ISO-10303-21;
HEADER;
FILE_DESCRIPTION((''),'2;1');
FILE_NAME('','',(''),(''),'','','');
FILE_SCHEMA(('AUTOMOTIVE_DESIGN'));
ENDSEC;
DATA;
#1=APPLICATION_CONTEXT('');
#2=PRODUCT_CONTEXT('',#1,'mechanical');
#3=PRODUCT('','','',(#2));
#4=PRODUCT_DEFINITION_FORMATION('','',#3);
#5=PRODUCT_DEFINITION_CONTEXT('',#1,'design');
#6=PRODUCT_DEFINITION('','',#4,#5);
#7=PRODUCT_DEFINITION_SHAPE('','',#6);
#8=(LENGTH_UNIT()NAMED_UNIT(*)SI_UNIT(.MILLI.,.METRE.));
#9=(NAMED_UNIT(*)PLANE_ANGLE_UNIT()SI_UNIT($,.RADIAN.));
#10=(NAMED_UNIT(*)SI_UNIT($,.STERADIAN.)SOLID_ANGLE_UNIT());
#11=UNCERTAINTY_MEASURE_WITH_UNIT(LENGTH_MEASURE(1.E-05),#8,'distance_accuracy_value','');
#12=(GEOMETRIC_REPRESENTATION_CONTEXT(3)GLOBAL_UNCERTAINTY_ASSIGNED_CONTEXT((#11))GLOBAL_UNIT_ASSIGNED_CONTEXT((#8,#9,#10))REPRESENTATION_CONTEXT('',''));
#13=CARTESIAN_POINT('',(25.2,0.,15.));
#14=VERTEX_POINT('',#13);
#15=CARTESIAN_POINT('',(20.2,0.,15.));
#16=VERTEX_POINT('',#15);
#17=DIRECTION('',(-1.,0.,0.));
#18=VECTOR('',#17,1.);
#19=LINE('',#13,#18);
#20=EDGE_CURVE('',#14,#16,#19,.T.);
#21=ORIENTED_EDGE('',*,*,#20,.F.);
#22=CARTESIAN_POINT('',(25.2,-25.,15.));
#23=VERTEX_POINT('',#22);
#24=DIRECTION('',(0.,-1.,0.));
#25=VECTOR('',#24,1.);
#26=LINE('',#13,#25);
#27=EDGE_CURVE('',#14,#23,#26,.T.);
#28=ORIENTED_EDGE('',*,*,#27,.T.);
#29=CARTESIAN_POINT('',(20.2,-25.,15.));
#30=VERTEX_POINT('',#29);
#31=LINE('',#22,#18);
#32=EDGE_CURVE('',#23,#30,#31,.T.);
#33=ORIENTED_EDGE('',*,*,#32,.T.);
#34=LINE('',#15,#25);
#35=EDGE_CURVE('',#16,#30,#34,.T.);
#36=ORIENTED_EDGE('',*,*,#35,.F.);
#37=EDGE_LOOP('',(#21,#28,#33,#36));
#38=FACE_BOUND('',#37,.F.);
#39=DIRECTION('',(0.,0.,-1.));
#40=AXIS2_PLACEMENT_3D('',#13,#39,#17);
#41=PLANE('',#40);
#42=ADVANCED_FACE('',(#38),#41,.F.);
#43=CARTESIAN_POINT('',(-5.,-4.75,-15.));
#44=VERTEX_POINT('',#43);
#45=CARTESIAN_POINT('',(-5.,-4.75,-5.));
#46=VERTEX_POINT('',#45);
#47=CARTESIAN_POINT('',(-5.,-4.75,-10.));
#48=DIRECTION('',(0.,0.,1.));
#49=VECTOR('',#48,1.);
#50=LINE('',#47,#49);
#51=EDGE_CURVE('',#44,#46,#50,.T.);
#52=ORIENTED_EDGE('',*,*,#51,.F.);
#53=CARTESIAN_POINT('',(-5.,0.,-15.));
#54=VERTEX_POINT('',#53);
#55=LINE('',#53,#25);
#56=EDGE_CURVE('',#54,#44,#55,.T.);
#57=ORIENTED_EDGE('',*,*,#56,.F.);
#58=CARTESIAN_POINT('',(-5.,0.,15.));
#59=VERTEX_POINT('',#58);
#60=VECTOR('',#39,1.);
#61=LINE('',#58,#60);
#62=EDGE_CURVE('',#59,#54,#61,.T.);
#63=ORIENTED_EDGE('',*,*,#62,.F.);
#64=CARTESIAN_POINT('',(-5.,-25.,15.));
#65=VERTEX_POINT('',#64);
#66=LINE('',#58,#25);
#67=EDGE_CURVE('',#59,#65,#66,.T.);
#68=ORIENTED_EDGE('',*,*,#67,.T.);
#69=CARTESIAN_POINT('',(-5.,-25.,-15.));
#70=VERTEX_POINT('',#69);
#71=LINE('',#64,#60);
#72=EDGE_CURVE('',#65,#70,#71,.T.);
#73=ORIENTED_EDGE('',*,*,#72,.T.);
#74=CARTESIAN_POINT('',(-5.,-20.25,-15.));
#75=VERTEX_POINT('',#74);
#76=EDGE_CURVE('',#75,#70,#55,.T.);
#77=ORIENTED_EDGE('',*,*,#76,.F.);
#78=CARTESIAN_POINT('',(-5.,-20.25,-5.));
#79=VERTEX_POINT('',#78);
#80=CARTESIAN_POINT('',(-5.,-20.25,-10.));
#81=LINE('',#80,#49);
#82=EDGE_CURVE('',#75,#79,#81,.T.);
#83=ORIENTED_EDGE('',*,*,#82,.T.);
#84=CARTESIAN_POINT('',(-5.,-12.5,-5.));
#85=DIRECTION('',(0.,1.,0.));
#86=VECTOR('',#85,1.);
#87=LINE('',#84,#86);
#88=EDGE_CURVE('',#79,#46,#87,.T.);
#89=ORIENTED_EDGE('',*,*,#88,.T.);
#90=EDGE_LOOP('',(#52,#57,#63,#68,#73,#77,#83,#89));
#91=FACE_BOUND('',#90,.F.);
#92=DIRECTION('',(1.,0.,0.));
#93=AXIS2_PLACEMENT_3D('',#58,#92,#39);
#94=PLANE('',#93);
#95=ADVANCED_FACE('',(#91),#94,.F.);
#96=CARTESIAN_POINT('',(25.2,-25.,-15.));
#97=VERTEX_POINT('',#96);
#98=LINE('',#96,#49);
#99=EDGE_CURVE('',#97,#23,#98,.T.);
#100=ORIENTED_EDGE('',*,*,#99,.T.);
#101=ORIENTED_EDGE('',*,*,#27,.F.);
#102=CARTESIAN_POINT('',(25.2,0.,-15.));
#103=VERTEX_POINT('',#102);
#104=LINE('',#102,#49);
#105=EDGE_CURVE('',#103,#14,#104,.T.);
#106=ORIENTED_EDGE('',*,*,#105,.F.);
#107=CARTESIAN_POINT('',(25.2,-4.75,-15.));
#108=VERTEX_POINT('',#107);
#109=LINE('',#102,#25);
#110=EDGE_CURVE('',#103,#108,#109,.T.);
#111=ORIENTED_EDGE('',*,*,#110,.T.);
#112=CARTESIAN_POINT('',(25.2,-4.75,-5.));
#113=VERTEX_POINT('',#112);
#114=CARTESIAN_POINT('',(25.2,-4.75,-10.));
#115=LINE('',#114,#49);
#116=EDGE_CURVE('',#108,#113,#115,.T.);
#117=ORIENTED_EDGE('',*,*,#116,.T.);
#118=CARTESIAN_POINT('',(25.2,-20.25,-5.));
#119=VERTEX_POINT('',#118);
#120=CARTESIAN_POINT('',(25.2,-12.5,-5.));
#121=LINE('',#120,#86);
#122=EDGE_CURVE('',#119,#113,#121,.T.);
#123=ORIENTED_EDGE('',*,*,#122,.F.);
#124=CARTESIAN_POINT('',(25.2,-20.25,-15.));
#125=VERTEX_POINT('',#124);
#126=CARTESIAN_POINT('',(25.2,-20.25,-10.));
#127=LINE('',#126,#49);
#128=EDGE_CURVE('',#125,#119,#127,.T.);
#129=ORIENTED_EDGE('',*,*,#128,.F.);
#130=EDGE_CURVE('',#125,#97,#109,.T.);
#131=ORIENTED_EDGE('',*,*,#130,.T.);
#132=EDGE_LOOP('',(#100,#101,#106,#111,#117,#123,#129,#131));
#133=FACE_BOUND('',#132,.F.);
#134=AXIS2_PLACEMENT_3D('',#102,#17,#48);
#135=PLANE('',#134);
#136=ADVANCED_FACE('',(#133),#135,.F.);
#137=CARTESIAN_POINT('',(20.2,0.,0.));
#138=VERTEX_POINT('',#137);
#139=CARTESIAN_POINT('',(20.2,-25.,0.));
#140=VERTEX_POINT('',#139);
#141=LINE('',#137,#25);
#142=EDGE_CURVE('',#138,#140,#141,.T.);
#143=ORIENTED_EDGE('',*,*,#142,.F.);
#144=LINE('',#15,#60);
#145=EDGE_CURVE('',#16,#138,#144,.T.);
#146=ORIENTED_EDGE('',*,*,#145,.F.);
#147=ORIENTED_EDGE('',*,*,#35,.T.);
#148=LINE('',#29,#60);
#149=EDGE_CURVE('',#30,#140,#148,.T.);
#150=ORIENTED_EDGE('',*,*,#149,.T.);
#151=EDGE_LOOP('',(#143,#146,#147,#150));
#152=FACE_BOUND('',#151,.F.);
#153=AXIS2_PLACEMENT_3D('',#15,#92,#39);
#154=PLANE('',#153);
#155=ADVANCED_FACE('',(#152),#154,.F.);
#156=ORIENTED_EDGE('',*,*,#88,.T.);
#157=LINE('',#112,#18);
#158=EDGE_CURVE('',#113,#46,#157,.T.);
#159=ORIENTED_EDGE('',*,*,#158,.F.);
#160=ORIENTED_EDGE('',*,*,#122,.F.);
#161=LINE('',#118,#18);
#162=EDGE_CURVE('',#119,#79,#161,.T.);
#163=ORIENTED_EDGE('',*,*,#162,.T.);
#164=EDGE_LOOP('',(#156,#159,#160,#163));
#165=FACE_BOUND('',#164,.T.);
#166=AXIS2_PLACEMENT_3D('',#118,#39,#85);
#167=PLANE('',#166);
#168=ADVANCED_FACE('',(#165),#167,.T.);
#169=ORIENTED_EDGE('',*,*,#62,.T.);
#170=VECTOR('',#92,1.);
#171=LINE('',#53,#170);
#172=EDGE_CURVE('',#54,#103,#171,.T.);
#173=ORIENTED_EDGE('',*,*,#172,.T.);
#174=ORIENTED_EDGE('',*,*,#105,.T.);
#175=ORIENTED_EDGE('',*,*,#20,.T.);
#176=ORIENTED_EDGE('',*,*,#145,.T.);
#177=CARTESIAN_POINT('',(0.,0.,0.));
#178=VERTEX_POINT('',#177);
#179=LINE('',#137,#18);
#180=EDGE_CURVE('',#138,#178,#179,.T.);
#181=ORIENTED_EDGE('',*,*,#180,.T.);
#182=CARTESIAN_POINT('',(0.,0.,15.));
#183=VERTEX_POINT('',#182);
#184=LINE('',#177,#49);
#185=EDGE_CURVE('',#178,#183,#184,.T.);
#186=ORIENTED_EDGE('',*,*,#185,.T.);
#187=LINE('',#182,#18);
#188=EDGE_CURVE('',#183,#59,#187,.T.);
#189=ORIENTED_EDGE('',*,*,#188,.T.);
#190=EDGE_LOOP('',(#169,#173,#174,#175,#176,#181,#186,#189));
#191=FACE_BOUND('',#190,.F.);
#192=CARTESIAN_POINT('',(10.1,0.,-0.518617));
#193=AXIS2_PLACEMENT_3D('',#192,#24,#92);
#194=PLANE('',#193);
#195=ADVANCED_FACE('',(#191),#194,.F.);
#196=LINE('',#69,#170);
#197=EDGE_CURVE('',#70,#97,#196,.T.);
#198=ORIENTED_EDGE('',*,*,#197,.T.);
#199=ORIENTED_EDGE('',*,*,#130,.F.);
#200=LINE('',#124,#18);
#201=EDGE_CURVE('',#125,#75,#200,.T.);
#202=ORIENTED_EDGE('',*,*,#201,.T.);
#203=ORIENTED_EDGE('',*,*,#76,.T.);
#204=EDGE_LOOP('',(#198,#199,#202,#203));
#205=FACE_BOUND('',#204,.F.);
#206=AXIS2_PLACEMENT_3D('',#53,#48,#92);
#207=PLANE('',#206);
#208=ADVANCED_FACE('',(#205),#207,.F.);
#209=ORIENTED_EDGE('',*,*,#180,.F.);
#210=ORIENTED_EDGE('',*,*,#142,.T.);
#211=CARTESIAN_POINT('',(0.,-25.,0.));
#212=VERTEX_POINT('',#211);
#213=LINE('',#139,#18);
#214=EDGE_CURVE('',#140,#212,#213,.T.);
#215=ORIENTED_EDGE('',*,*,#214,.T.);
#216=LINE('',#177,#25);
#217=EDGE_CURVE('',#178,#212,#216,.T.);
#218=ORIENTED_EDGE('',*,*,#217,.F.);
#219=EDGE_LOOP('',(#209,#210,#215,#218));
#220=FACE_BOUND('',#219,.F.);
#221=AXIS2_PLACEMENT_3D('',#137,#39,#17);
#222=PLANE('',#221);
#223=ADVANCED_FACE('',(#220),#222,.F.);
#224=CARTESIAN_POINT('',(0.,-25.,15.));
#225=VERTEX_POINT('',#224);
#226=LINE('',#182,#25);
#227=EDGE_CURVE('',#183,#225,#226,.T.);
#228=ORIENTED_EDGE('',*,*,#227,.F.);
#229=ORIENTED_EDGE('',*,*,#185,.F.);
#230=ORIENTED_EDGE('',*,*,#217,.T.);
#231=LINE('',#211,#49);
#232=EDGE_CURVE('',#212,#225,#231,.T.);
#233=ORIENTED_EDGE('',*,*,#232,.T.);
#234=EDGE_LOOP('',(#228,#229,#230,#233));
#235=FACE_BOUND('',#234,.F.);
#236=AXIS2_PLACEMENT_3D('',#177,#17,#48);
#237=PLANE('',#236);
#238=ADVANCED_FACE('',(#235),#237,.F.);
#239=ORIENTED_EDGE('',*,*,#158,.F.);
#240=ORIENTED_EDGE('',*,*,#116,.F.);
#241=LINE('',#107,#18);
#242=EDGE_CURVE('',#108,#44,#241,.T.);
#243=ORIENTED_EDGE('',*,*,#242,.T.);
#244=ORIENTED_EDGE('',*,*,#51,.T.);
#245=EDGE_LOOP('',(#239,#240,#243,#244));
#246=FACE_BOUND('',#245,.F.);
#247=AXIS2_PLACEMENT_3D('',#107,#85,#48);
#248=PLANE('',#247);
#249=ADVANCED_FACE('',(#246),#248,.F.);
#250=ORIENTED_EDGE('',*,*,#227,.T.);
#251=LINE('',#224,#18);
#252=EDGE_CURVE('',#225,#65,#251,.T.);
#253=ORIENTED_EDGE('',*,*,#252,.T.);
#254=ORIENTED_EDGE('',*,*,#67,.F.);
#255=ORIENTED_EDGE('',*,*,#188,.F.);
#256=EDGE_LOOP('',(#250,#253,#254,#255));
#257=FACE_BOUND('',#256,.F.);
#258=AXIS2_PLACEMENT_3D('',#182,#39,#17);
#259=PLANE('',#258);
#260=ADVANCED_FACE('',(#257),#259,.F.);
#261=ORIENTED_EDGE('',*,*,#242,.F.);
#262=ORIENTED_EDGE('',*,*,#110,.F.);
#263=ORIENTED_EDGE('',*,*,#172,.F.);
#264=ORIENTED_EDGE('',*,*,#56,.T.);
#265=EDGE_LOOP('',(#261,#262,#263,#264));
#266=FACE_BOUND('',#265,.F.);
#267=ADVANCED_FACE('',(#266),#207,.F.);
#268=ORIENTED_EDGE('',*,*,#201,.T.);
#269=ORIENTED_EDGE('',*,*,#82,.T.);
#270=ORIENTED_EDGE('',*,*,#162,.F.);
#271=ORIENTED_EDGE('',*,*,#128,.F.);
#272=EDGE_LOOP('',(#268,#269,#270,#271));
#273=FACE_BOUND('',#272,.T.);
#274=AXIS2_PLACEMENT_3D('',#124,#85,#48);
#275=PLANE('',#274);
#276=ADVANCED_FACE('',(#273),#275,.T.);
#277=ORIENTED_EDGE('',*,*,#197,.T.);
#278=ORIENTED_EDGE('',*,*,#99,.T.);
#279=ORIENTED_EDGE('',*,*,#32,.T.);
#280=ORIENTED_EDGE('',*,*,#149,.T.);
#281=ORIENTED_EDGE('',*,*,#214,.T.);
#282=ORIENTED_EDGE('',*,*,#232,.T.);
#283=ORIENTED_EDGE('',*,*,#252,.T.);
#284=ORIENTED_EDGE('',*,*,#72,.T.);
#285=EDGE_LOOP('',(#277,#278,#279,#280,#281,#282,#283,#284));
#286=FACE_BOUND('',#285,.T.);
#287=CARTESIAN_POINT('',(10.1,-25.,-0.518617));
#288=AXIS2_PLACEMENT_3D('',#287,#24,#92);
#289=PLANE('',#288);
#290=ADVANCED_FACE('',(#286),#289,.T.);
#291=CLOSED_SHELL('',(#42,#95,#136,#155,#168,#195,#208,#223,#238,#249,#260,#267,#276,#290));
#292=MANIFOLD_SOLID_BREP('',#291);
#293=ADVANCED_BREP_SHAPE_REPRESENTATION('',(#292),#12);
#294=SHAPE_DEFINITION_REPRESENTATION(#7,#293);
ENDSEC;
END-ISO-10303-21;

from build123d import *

# Parameters (mm, degrees)
F1_DEPTH = 25
F2_W     = 15.5
F2_H     = 10
F3_DEPTH = 30.2


with BuildPart() as f1:
    # F0 (on Front) → F1 (new body)
    with BuildSketch(Plane.XZ):
        Polygon((20.2, 0), (0, 0), (0, 15), (-5, 15), (-5, -15), (25.2, -15), (25.2, 15), (20.2, 15), align=None)
    extrude(amount=F1_DEPTH)

    # F2 (on face) → F3 (cut, through all)
    with BuildSketch(Plane.YZ.offset(25.2)):
        with Locations((-12.5, -10)):
            Rectangle(F2_W, F2_H)
    extrude(amount=-F3_DEPTH, mode=Mode.SUBTRACT)


solid = f1.part
